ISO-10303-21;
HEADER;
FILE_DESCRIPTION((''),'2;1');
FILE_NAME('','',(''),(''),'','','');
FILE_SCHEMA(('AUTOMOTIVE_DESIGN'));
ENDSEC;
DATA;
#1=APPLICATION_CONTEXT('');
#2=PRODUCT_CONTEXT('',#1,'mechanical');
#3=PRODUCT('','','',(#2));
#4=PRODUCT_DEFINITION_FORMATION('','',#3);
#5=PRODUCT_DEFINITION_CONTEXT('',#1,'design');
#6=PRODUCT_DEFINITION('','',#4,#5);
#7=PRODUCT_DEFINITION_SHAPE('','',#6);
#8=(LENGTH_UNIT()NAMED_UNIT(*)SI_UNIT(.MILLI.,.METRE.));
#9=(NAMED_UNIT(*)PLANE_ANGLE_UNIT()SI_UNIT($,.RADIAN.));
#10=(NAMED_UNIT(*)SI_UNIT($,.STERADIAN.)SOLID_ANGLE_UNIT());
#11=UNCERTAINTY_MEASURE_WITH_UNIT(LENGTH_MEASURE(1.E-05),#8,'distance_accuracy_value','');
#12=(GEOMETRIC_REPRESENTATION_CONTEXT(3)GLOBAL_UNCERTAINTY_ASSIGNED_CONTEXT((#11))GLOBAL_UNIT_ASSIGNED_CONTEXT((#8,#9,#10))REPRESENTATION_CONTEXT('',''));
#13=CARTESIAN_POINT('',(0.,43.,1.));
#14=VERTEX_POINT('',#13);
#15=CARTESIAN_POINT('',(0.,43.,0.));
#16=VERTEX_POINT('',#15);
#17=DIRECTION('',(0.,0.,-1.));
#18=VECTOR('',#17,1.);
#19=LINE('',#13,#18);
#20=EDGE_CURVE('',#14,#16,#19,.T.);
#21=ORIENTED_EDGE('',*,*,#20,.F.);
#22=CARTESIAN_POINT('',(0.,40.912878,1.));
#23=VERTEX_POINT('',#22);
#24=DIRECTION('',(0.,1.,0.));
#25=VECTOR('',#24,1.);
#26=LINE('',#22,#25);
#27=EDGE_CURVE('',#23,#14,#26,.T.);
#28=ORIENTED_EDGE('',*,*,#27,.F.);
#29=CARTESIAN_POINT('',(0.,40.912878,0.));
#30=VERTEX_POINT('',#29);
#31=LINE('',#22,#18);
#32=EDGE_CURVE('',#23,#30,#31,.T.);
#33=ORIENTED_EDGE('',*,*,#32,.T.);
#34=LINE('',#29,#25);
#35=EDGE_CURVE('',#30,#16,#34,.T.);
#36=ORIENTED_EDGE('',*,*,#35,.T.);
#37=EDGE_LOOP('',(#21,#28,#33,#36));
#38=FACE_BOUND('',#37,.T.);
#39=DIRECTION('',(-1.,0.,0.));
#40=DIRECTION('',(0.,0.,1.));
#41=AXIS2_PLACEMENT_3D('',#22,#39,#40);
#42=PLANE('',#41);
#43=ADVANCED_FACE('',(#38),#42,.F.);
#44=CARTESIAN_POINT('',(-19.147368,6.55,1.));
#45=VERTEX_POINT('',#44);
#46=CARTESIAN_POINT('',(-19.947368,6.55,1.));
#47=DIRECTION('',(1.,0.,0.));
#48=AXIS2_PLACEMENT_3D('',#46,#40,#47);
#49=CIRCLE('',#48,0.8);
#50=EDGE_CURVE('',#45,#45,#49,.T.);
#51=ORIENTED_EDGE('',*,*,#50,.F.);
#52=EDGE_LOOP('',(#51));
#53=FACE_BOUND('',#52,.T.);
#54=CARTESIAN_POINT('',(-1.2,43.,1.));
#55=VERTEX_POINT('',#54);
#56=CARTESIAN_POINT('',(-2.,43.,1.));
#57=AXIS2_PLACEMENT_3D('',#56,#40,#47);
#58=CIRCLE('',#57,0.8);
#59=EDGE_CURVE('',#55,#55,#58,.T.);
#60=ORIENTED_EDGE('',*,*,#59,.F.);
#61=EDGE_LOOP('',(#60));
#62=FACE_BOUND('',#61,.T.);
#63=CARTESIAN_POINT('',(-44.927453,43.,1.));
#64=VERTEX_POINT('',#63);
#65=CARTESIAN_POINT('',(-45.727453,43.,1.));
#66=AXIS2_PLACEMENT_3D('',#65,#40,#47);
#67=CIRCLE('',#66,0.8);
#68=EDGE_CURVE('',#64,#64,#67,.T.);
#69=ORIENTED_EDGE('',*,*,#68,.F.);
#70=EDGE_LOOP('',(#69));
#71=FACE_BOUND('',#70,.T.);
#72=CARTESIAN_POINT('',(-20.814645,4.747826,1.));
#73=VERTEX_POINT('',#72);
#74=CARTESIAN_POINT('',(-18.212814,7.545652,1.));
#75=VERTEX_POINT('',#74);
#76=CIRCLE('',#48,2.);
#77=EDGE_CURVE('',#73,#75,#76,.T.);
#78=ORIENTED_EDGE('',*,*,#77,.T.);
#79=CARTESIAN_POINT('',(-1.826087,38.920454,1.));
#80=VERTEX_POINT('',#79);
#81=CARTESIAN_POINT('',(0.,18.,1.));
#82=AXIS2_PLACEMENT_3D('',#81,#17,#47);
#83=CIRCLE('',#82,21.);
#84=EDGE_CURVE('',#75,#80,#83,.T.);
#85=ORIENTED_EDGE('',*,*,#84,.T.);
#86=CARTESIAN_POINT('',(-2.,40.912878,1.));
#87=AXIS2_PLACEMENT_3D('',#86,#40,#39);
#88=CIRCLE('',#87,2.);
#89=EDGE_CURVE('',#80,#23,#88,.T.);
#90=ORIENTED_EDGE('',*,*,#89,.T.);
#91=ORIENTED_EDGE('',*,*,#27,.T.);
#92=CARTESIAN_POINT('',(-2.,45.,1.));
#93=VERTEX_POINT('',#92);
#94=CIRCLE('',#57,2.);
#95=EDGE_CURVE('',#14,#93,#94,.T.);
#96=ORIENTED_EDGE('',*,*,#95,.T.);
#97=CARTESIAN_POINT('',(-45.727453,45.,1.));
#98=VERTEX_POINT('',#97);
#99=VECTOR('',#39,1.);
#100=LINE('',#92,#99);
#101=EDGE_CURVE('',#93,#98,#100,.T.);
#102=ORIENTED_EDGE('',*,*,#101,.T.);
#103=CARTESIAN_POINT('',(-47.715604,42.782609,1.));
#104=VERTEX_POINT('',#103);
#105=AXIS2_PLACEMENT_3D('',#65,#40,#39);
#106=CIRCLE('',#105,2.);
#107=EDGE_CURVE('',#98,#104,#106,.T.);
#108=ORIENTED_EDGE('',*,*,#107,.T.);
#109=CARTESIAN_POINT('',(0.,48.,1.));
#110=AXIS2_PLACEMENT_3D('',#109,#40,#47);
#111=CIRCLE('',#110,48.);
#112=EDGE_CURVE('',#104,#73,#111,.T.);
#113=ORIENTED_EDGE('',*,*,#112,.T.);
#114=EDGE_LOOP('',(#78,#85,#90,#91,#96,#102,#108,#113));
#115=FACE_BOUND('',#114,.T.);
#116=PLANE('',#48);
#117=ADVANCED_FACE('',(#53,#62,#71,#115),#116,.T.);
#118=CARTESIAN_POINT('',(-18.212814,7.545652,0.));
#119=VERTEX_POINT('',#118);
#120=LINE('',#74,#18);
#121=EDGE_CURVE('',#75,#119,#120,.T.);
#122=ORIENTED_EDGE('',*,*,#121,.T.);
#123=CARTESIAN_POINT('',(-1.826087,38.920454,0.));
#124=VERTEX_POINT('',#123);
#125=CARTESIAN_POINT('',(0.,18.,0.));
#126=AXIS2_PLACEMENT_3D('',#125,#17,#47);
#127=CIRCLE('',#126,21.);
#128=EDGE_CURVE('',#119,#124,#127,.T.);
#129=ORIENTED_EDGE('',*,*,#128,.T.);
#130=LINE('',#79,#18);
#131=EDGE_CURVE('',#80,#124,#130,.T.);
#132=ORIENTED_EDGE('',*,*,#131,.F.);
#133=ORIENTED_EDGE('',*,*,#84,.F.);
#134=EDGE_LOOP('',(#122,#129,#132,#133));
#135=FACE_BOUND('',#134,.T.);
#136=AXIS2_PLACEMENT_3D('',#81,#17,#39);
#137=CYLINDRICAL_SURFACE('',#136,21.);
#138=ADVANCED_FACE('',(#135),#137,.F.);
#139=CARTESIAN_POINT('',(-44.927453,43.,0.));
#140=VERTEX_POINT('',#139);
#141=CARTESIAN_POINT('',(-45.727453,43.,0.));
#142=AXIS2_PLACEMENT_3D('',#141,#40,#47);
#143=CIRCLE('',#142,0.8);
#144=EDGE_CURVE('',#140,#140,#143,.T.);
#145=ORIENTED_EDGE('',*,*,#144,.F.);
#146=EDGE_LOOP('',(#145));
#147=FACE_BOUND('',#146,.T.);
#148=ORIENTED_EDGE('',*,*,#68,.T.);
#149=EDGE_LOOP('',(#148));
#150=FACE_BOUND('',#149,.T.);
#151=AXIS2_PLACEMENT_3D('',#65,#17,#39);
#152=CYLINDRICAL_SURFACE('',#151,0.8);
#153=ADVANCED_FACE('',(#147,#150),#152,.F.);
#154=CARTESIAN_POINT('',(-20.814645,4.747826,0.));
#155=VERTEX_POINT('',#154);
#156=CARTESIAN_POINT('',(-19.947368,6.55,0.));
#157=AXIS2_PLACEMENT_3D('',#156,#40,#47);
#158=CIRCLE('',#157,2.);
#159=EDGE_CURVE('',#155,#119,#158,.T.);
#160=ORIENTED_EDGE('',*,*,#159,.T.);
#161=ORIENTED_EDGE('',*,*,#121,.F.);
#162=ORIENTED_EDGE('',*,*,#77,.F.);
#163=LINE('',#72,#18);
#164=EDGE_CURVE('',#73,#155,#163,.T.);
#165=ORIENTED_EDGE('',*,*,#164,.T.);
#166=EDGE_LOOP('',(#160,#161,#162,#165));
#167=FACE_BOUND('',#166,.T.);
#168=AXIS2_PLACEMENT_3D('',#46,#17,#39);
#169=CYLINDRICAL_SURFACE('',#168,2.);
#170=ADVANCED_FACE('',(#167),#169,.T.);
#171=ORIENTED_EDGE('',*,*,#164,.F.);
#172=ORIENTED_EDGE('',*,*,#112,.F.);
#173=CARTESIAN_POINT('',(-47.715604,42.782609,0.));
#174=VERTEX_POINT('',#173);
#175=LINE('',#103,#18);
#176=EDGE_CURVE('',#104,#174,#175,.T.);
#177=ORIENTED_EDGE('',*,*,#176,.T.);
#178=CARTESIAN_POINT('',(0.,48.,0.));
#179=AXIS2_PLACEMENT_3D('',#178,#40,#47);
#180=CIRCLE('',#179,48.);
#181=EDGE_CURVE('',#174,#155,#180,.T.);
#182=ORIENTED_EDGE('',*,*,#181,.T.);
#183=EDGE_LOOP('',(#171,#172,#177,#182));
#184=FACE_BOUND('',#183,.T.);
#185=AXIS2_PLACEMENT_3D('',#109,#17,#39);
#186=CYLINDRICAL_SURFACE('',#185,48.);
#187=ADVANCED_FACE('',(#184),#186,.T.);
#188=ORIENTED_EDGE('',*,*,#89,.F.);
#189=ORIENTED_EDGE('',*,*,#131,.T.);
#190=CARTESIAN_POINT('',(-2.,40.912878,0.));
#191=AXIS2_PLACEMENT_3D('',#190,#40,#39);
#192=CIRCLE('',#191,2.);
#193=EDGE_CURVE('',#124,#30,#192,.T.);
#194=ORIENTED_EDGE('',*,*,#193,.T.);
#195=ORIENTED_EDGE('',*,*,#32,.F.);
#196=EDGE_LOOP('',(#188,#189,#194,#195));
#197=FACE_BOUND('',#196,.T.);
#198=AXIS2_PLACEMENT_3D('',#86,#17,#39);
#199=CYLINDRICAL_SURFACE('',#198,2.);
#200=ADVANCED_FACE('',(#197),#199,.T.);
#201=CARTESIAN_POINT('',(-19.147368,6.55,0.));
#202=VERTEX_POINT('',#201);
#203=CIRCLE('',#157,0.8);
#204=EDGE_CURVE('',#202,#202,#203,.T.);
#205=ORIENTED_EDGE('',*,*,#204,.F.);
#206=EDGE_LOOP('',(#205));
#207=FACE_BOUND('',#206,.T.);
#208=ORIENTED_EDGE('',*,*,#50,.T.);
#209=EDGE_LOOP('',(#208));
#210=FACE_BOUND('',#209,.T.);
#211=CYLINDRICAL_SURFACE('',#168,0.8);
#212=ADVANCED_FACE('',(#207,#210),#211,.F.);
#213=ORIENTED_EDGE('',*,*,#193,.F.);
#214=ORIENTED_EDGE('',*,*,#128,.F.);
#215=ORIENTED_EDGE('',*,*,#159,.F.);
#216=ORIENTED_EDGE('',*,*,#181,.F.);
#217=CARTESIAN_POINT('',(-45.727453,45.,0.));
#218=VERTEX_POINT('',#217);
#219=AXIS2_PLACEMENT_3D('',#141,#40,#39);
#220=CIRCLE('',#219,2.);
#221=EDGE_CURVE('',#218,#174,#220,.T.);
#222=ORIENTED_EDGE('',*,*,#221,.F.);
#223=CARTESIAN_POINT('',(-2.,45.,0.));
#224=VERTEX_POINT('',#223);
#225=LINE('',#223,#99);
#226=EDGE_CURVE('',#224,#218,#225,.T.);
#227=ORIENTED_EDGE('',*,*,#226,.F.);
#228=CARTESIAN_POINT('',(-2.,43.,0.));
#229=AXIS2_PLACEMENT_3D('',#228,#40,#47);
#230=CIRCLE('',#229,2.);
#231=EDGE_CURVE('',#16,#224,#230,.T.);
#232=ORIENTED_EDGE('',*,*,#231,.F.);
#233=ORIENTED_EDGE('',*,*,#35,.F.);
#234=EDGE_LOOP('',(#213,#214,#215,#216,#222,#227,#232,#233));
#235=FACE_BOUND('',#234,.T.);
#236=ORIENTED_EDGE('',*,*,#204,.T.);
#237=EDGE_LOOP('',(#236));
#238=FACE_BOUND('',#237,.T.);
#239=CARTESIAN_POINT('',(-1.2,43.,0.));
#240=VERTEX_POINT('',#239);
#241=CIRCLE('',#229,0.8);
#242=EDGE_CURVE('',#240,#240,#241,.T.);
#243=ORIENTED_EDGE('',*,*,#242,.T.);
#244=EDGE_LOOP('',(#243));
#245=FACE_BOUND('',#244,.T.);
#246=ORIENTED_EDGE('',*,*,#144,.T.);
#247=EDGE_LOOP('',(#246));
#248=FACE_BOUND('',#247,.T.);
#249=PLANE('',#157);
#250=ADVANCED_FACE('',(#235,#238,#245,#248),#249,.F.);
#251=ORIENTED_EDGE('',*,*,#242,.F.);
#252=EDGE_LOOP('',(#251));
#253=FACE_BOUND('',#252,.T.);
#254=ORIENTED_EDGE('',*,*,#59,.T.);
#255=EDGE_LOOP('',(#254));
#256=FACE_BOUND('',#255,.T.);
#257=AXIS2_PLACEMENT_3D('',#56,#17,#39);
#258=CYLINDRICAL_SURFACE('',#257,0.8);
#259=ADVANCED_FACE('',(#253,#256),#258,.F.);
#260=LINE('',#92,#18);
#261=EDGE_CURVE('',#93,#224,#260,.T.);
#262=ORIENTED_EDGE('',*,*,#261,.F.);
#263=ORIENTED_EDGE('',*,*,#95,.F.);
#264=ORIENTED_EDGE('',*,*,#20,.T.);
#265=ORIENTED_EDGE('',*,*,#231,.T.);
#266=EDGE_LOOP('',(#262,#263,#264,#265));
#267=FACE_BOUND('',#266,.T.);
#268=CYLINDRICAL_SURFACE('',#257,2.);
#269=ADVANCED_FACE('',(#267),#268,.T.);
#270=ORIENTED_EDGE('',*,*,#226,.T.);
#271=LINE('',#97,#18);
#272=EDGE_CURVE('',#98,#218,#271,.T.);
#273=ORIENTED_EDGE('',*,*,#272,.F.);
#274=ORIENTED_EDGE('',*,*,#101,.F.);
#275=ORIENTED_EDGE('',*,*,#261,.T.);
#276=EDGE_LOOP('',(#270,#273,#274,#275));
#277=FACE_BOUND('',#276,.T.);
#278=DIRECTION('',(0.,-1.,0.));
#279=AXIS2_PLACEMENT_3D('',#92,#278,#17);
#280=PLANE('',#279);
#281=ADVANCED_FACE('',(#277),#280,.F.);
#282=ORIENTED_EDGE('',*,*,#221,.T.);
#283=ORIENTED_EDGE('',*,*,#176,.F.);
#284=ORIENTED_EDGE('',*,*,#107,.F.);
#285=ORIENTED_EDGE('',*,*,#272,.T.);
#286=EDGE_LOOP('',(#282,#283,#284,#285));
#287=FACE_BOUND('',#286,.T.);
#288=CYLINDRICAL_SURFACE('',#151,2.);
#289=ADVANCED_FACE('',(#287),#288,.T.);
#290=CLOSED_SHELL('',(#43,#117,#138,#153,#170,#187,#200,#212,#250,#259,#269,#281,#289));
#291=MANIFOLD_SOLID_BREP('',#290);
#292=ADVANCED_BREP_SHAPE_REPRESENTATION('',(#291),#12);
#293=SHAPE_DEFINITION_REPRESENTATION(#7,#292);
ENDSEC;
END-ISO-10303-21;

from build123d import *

# Parameters (mm, degrees)
SKETCH_1_R      = 0.8
EXTRUDE_1_DEPTH = 1


with BuildPart() as part:
    # Эскиз1 → Бобышка-Вытянуть1 (new body)
    with BuildSketch(Plane.XY):
        with BuildLine():
            Line((0, 40.912878475), (0, 43))
            ThreePointArc((0, 43), (-0.585786438, 44.414213562), (-2, 45))
            Line((-2, 45), (-45.727453461, 45))
            ThreePointArc((-45.727453461, 45), (-47.216544225, 44.335143699), (-47.715603611, 42.782608696))
            ThreePointArc((-47.715603611, 42.782608696), (-39.188772883, 20.282855848), (-20.814645128, 4.747826087))
            ThreePointArc((-20.814645128, 4.747826087), (-18.482786396, 5.188016153), (-18.212814487, 7.545652174))
            ThreePointArc((-18.212814487, 7.545652174), (-18.614079194, 27.721936832), (-1.826086957, 38.92045426))
            ThreePointArc((-1.826086957, 38.92045426), (-0.525580438, 39.561550625), (0, 40.912878475))
        make_face()
        with Locations((-19.947368247, 6.55)):
            Circle(SKETCH_1_R, mode=Mode.SUBTRACT)
        with Locations((-45.727453461, 43)):
            Circle(SKETCH_1_R, mode=Mode.SUBTRACT)
        with Locations((-2, 43)):
            Circle(SKETCH_1_R, mode=Mode.SUBTRACT)
    extrude(amount=EXTRUDE_1_DEPTH)


solid = part.part
